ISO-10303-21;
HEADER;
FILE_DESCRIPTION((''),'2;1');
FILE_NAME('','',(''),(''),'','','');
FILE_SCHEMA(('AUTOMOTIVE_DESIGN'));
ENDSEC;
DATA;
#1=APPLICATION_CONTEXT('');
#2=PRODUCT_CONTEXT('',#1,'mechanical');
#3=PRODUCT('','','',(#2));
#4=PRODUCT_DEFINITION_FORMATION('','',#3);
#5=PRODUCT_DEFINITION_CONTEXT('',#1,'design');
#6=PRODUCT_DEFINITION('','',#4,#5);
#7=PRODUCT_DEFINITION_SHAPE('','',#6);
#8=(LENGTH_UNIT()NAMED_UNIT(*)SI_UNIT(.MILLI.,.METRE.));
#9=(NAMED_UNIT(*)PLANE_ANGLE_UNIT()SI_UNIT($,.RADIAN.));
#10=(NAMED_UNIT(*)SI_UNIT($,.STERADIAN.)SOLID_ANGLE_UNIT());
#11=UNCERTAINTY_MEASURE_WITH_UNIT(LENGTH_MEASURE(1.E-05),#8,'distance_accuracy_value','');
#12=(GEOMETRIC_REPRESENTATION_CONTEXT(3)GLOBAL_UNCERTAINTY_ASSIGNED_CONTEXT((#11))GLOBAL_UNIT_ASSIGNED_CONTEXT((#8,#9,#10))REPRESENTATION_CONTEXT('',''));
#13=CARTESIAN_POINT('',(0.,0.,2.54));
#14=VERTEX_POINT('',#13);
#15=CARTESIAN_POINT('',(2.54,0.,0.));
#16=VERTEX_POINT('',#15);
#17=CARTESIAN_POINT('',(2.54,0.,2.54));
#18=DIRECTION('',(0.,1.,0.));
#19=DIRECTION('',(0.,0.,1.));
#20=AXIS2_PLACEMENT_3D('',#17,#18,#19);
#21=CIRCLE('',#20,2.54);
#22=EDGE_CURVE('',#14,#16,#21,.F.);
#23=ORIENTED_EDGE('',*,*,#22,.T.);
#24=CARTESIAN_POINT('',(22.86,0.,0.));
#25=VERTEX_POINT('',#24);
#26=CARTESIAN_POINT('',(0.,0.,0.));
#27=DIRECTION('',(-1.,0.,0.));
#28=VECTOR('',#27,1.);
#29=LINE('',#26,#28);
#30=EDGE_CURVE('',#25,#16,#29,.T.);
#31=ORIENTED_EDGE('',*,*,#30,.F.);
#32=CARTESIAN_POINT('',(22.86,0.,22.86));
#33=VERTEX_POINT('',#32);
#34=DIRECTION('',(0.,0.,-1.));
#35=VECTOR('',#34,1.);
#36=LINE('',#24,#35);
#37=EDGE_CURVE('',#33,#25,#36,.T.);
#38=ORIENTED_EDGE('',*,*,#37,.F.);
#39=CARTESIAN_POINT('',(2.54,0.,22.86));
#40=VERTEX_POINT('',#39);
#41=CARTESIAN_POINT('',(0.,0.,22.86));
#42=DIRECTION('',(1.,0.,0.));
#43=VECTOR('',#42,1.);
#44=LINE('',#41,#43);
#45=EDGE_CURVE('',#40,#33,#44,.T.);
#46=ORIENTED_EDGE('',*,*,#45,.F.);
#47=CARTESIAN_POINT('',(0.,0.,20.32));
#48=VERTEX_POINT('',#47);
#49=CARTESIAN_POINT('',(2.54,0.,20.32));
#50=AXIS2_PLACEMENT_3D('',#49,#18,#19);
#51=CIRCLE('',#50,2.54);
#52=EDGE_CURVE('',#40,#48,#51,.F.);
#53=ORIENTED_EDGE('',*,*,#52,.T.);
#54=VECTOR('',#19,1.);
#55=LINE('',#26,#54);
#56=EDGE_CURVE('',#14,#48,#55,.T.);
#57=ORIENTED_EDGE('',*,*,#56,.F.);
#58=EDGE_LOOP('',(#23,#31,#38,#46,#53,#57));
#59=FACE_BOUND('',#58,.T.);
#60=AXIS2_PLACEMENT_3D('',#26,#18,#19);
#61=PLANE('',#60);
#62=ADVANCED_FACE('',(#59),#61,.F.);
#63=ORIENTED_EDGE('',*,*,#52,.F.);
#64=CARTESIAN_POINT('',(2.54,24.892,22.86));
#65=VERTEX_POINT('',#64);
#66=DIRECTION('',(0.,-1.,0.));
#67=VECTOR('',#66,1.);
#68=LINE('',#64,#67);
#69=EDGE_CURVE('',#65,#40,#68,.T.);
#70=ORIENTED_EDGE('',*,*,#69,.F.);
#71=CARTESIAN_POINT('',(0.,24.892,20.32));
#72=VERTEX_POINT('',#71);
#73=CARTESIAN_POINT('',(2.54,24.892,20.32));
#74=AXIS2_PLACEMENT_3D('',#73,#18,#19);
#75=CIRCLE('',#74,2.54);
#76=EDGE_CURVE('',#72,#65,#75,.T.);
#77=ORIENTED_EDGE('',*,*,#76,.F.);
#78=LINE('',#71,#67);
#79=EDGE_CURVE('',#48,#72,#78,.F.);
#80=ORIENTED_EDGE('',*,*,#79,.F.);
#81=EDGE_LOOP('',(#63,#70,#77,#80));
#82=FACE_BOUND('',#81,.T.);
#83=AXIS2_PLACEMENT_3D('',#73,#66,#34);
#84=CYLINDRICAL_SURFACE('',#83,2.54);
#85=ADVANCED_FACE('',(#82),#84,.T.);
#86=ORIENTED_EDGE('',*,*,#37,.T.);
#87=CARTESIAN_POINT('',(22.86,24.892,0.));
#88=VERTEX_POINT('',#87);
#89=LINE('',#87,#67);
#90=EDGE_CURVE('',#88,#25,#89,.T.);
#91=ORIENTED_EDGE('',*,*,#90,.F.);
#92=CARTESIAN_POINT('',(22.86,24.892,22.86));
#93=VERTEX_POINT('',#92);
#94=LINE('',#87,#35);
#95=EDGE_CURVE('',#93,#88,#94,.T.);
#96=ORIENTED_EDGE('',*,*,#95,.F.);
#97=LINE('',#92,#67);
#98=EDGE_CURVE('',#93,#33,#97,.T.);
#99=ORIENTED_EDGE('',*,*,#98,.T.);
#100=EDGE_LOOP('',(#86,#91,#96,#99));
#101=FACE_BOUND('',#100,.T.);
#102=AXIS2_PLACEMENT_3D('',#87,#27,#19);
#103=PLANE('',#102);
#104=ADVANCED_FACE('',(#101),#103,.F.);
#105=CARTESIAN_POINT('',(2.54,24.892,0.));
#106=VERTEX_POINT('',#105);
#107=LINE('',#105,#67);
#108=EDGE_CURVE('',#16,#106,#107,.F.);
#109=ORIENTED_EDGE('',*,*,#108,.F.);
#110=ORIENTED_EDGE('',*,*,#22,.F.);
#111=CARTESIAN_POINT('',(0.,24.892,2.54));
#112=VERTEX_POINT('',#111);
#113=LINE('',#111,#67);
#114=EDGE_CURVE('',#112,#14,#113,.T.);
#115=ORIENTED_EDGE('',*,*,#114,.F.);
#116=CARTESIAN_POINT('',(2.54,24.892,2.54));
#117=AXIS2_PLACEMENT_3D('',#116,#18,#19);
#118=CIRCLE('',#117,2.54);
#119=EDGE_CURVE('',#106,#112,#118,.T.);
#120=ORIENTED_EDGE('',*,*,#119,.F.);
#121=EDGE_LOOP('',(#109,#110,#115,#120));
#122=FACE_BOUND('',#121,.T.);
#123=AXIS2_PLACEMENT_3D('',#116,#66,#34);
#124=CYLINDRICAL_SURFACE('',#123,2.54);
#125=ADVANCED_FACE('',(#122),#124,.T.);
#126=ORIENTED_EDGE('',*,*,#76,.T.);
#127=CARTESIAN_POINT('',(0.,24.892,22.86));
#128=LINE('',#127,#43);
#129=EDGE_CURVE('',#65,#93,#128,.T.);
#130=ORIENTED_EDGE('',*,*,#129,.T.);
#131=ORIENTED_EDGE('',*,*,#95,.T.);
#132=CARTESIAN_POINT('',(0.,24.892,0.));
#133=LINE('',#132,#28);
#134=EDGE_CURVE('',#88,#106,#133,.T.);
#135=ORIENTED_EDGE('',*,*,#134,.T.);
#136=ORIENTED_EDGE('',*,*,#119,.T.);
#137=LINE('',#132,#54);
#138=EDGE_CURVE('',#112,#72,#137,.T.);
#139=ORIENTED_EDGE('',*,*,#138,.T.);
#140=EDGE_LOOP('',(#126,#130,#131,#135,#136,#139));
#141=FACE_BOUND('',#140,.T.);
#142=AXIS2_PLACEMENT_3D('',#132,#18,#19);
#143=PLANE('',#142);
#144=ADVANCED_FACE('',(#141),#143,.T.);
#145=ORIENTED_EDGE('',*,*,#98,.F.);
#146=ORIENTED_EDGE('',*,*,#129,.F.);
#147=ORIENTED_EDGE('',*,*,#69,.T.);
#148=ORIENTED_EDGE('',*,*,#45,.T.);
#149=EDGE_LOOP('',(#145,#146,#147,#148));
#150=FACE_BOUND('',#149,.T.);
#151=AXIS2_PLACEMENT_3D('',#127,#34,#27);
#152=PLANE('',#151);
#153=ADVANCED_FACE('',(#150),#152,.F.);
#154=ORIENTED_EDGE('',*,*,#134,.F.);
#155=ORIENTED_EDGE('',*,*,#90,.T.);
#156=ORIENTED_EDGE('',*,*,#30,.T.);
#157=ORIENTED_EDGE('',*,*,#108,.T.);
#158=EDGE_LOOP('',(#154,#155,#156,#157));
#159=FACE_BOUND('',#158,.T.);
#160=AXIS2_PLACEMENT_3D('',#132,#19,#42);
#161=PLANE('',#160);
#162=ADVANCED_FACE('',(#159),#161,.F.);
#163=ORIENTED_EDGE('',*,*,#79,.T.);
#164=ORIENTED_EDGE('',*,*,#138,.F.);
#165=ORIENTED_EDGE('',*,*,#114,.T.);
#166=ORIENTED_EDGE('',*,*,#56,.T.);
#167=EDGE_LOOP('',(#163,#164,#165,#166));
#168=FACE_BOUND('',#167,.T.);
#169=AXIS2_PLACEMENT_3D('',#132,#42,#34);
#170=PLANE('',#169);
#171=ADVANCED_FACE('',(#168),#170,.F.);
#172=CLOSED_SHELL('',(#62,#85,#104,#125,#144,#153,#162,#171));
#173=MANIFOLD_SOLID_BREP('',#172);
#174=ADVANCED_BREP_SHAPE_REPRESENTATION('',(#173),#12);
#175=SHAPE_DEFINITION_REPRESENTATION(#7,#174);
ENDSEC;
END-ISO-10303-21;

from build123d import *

# Parameters (mm, degrees)
SKETCH1_W           = 22.86
SKETCH1_H           = 22.86
BOSS_EXTRUDE1_DEPTH = 24.892
FILLET1_R           = 2.54


with BuildPart() as part:
    # Sketch1 → Boss-Extrude1 (new body)
    with BuildSketch(Plane(origin=(0, 0, 0), x_dir=(1, 0, 0), z_dir=(0, 1, 0))):
        with Locations((11.43, -11.43)):
            Rectangle(SKETCH1_W, SKETCH1_H)
    extrude(amount=BOSS_EXTRUDE1_DEPTH)

    # Fillet1
    fillet1_edges = [part.edges().sort_by_distance(p)[0] for p in [
        (0, 12.446, 0),
        (0, 12.446, 22.86),
    ]]
    fillet(fillet1_edges, radius=FILLET1_R)


solid = part.part
